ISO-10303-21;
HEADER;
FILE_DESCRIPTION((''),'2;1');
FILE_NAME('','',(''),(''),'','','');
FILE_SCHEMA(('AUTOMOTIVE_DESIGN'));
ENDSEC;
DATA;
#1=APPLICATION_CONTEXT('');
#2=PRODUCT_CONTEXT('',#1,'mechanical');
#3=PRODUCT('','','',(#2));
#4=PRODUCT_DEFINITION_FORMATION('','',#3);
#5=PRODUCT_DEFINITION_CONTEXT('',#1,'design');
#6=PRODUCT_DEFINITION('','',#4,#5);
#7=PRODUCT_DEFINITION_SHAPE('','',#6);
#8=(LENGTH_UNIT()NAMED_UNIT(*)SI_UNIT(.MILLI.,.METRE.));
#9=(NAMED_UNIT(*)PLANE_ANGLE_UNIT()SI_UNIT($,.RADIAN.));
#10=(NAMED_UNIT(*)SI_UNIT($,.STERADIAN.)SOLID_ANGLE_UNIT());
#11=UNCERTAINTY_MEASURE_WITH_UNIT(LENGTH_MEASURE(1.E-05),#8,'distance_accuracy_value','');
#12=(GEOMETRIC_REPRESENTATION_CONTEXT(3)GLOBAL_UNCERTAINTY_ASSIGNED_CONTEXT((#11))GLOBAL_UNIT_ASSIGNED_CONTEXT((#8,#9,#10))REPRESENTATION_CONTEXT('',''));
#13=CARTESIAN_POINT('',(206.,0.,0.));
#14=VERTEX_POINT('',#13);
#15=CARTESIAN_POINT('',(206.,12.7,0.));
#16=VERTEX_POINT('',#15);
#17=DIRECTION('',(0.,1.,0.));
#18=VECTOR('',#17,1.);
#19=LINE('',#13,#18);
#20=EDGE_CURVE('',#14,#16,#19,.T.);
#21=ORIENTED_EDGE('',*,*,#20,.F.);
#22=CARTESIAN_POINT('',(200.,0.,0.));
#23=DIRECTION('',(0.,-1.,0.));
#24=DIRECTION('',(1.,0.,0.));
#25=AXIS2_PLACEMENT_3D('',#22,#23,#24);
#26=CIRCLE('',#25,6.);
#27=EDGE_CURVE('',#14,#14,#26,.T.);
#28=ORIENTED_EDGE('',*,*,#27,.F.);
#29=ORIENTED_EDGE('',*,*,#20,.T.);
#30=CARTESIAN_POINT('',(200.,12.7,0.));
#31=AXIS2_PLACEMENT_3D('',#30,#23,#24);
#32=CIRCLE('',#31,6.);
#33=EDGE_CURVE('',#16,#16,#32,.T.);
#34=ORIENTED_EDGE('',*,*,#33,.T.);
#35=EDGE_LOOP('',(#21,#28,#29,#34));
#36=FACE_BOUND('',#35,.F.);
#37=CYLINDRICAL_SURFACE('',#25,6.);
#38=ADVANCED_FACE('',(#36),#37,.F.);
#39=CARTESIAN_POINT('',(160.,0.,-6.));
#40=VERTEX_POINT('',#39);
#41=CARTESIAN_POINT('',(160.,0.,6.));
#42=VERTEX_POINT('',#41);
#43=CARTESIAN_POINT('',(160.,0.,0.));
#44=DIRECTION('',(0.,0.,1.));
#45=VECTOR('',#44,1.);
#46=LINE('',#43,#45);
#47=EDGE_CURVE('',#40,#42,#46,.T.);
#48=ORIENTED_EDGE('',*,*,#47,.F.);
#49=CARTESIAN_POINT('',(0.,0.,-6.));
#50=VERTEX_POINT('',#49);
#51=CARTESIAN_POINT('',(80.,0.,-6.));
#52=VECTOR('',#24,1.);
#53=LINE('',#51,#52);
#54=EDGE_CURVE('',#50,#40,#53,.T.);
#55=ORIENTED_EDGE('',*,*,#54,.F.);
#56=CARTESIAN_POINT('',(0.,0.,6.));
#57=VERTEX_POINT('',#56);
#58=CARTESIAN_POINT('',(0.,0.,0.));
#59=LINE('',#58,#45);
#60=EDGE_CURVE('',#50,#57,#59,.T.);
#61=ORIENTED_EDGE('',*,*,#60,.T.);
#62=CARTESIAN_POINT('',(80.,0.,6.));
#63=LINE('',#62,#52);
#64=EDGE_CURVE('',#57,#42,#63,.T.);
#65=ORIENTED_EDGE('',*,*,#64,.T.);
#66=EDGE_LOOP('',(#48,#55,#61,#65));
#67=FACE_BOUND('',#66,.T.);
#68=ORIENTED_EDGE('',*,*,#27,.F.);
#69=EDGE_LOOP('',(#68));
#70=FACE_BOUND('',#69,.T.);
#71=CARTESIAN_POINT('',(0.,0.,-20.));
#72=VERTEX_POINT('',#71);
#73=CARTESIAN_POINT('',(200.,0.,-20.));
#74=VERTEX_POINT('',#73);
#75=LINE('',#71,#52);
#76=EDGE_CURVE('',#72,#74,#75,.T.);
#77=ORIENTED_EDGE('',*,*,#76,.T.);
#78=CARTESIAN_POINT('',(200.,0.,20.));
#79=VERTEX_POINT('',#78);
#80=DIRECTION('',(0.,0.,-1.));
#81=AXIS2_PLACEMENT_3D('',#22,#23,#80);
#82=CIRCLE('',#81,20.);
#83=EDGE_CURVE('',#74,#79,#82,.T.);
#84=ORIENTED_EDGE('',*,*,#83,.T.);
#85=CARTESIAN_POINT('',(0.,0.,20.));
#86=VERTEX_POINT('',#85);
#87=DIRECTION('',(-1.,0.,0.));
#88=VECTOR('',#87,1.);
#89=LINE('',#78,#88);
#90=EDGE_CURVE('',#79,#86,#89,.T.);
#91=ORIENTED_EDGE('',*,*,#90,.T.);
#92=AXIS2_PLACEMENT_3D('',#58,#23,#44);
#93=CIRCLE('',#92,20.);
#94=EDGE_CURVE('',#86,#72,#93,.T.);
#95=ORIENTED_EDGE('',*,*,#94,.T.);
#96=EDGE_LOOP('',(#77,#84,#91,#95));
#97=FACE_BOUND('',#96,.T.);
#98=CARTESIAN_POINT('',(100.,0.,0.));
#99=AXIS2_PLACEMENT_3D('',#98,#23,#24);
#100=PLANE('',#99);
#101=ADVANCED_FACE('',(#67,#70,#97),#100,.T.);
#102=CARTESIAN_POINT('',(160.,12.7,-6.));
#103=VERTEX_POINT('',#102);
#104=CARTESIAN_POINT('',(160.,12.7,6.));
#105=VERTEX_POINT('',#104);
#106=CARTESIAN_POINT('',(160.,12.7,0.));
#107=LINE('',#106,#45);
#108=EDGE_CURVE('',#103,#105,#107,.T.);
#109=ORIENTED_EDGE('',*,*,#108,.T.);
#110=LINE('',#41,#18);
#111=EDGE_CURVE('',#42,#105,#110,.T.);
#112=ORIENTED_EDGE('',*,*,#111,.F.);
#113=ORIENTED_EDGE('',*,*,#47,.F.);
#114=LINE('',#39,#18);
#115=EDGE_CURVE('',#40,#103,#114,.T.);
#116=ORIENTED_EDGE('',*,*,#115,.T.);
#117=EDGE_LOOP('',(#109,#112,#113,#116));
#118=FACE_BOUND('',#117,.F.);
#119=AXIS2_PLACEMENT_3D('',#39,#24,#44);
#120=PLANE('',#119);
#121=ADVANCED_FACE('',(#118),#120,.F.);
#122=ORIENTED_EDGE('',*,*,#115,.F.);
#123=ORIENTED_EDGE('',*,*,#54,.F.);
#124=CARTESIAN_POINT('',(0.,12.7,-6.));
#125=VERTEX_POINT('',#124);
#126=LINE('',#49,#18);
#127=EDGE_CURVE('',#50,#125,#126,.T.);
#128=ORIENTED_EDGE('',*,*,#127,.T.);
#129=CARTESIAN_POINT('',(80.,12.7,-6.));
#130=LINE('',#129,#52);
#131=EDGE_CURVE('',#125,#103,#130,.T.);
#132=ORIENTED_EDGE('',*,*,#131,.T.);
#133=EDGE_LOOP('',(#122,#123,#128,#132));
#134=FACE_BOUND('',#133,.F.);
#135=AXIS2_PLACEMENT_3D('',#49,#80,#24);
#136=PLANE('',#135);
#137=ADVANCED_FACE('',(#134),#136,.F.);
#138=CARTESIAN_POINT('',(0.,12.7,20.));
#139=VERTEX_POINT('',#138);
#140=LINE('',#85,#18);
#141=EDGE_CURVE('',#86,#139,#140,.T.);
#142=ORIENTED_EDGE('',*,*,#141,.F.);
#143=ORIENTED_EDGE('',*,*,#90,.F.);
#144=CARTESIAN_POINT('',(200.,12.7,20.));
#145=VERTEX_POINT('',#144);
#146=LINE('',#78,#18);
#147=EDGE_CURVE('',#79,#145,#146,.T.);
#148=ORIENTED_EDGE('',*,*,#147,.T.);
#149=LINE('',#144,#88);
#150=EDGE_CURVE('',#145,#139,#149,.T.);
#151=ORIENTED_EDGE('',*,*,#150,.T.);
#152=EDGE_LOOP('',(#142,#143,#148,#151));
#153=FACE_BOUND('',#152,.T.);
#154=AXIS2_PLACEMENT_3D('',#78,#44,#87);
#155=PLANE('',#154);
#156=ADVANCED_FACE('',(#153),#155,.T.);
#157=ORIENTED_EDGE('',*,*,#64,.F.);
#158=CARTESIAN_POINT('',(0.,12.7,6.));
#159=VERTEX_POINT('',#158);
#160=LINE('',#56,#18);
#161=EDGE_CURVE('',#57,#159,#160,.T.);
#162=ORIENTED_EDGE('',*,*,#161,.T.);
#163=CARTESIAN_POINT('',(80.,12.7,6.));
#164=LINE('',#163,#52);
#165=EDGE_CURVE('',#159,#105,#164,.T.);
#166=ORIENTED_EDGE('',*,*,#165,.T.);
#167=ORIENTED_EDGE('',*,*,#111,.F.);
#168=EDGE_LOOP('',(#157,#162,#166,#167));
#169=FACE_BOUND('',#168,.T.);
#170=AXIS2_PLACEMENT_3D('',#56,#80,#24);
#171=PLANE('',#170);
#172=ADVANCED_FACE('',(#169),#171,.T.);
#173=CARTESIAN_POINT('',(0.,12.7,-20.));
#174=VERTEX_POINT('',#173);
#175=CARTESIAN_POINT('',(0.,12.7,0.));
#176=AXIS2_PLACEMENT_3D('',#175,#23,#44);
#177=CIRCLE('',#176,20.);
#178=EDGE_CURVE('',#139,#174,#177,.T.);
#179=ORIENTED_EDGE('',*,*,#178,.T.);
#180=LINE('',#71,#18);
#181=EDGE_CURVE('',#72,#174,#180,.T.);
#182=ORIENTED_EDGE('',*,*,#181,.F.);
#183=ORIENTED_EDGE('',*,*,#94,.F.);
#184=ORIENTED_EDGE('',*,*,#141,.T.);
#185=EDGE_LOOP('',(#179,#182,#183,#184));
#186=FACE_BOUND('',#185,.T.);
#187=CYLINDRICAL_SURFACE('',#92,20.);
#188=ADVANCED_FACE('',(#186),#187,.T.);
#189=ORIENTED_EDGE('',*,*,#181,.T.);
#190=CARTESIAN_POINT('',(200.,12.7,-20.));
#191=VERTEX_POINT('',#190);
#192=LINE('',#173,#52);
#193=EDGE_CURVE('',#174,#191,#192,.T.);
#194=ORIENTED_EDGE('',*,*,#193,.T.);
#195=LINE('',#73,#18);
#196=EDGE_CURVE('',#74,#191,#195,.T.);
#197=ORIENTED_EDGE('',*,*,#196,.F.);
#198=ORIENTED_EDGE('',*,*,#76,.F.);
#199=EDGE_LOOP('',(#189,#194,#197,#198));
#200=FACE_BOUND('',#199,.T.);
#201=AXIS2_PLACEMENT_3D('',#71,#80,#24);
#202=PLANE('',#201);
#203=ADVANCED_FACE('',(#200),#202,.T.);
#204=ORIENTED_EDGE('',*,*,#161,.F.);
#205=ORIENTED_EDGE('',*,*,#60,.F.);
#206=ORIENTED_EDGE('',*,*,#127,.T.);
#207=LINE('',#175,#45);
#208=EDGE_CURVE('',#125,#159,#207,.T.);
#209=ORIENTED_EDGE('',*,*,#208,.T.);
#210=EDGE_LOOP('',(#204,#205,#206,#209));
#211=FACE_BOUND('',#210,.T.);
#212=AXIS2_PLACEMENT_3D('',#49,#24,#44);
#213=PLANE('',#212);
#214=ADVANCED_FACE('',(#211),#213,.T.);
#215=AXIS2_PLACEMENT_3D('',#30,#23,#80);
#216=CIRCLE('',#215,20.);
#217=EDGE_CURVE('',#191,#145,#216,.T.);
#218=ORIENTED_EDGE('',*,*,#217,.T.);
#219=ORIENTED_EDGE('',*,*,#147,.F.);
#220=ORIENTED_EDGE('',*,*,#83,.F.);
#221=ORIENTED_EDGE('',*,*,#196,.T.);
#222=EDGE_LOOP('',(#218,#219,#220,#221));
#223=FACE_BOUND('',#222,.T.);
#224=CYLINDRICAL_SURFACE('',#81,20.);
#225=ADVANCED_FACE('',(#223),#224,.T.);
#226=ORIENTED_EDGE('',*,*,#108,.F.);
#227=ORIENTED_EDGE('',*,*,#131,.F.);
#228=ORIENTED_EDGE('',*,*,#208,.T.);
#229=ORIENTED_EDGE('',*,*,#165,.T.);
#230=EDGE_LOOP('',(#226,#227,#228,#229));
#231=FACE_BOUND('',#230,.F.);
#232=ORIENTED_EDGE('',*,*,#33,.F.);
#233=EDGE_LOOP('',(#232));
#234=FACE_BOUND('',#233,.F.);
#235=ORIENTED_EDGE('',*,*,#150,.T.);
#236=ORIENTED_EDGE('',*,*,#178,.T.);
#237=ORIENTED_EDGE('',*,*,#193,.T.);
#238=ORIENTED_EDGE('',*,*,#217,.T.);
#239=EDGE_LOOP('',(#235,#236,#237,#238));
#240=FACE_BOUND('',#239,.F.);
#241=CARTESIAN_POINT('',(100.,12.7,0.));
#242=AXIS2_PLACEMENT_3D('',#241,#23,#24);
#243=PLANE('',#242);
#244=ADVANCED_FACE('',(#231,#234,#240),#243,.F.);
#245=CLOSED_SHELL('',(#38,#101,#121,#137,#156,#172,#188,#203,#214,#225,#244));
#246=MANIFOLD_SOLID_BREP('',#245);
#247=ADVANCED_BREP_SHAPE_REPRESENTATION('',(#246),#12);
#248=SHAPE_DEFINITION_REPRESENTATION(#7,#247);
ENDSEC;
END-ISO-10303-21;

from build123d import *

# Parameters (mm, degrees)
F0_W     = 160
F0_H     = 12
F0_R     = 6
F1_DEPTH = 12.7


with BuildPart() as f1:
    # F0 (on Front) → F1 (new body)
    with BuildSketch(Plane.XZ):
        with BuildLine():
            Line((200, 20), (0, 20))
            ThreePointArc((0, 20), (-20, 0), (0, -20))
            Line((0, -20), (200, -20))
            ThreePointArc((200, -20), (220, 0), (200, 20))
        make_face()
        with Locations((80, 0)):
            Rectangle(F0_W, F0_H, mode=Mode.SUBTRACT)
        with Locations((200, 0)):
            Circle(F0_R, mode=Mode.SUBTRACT)
    extrude(amount=-F1_DEPTH)


solid = f1.part
